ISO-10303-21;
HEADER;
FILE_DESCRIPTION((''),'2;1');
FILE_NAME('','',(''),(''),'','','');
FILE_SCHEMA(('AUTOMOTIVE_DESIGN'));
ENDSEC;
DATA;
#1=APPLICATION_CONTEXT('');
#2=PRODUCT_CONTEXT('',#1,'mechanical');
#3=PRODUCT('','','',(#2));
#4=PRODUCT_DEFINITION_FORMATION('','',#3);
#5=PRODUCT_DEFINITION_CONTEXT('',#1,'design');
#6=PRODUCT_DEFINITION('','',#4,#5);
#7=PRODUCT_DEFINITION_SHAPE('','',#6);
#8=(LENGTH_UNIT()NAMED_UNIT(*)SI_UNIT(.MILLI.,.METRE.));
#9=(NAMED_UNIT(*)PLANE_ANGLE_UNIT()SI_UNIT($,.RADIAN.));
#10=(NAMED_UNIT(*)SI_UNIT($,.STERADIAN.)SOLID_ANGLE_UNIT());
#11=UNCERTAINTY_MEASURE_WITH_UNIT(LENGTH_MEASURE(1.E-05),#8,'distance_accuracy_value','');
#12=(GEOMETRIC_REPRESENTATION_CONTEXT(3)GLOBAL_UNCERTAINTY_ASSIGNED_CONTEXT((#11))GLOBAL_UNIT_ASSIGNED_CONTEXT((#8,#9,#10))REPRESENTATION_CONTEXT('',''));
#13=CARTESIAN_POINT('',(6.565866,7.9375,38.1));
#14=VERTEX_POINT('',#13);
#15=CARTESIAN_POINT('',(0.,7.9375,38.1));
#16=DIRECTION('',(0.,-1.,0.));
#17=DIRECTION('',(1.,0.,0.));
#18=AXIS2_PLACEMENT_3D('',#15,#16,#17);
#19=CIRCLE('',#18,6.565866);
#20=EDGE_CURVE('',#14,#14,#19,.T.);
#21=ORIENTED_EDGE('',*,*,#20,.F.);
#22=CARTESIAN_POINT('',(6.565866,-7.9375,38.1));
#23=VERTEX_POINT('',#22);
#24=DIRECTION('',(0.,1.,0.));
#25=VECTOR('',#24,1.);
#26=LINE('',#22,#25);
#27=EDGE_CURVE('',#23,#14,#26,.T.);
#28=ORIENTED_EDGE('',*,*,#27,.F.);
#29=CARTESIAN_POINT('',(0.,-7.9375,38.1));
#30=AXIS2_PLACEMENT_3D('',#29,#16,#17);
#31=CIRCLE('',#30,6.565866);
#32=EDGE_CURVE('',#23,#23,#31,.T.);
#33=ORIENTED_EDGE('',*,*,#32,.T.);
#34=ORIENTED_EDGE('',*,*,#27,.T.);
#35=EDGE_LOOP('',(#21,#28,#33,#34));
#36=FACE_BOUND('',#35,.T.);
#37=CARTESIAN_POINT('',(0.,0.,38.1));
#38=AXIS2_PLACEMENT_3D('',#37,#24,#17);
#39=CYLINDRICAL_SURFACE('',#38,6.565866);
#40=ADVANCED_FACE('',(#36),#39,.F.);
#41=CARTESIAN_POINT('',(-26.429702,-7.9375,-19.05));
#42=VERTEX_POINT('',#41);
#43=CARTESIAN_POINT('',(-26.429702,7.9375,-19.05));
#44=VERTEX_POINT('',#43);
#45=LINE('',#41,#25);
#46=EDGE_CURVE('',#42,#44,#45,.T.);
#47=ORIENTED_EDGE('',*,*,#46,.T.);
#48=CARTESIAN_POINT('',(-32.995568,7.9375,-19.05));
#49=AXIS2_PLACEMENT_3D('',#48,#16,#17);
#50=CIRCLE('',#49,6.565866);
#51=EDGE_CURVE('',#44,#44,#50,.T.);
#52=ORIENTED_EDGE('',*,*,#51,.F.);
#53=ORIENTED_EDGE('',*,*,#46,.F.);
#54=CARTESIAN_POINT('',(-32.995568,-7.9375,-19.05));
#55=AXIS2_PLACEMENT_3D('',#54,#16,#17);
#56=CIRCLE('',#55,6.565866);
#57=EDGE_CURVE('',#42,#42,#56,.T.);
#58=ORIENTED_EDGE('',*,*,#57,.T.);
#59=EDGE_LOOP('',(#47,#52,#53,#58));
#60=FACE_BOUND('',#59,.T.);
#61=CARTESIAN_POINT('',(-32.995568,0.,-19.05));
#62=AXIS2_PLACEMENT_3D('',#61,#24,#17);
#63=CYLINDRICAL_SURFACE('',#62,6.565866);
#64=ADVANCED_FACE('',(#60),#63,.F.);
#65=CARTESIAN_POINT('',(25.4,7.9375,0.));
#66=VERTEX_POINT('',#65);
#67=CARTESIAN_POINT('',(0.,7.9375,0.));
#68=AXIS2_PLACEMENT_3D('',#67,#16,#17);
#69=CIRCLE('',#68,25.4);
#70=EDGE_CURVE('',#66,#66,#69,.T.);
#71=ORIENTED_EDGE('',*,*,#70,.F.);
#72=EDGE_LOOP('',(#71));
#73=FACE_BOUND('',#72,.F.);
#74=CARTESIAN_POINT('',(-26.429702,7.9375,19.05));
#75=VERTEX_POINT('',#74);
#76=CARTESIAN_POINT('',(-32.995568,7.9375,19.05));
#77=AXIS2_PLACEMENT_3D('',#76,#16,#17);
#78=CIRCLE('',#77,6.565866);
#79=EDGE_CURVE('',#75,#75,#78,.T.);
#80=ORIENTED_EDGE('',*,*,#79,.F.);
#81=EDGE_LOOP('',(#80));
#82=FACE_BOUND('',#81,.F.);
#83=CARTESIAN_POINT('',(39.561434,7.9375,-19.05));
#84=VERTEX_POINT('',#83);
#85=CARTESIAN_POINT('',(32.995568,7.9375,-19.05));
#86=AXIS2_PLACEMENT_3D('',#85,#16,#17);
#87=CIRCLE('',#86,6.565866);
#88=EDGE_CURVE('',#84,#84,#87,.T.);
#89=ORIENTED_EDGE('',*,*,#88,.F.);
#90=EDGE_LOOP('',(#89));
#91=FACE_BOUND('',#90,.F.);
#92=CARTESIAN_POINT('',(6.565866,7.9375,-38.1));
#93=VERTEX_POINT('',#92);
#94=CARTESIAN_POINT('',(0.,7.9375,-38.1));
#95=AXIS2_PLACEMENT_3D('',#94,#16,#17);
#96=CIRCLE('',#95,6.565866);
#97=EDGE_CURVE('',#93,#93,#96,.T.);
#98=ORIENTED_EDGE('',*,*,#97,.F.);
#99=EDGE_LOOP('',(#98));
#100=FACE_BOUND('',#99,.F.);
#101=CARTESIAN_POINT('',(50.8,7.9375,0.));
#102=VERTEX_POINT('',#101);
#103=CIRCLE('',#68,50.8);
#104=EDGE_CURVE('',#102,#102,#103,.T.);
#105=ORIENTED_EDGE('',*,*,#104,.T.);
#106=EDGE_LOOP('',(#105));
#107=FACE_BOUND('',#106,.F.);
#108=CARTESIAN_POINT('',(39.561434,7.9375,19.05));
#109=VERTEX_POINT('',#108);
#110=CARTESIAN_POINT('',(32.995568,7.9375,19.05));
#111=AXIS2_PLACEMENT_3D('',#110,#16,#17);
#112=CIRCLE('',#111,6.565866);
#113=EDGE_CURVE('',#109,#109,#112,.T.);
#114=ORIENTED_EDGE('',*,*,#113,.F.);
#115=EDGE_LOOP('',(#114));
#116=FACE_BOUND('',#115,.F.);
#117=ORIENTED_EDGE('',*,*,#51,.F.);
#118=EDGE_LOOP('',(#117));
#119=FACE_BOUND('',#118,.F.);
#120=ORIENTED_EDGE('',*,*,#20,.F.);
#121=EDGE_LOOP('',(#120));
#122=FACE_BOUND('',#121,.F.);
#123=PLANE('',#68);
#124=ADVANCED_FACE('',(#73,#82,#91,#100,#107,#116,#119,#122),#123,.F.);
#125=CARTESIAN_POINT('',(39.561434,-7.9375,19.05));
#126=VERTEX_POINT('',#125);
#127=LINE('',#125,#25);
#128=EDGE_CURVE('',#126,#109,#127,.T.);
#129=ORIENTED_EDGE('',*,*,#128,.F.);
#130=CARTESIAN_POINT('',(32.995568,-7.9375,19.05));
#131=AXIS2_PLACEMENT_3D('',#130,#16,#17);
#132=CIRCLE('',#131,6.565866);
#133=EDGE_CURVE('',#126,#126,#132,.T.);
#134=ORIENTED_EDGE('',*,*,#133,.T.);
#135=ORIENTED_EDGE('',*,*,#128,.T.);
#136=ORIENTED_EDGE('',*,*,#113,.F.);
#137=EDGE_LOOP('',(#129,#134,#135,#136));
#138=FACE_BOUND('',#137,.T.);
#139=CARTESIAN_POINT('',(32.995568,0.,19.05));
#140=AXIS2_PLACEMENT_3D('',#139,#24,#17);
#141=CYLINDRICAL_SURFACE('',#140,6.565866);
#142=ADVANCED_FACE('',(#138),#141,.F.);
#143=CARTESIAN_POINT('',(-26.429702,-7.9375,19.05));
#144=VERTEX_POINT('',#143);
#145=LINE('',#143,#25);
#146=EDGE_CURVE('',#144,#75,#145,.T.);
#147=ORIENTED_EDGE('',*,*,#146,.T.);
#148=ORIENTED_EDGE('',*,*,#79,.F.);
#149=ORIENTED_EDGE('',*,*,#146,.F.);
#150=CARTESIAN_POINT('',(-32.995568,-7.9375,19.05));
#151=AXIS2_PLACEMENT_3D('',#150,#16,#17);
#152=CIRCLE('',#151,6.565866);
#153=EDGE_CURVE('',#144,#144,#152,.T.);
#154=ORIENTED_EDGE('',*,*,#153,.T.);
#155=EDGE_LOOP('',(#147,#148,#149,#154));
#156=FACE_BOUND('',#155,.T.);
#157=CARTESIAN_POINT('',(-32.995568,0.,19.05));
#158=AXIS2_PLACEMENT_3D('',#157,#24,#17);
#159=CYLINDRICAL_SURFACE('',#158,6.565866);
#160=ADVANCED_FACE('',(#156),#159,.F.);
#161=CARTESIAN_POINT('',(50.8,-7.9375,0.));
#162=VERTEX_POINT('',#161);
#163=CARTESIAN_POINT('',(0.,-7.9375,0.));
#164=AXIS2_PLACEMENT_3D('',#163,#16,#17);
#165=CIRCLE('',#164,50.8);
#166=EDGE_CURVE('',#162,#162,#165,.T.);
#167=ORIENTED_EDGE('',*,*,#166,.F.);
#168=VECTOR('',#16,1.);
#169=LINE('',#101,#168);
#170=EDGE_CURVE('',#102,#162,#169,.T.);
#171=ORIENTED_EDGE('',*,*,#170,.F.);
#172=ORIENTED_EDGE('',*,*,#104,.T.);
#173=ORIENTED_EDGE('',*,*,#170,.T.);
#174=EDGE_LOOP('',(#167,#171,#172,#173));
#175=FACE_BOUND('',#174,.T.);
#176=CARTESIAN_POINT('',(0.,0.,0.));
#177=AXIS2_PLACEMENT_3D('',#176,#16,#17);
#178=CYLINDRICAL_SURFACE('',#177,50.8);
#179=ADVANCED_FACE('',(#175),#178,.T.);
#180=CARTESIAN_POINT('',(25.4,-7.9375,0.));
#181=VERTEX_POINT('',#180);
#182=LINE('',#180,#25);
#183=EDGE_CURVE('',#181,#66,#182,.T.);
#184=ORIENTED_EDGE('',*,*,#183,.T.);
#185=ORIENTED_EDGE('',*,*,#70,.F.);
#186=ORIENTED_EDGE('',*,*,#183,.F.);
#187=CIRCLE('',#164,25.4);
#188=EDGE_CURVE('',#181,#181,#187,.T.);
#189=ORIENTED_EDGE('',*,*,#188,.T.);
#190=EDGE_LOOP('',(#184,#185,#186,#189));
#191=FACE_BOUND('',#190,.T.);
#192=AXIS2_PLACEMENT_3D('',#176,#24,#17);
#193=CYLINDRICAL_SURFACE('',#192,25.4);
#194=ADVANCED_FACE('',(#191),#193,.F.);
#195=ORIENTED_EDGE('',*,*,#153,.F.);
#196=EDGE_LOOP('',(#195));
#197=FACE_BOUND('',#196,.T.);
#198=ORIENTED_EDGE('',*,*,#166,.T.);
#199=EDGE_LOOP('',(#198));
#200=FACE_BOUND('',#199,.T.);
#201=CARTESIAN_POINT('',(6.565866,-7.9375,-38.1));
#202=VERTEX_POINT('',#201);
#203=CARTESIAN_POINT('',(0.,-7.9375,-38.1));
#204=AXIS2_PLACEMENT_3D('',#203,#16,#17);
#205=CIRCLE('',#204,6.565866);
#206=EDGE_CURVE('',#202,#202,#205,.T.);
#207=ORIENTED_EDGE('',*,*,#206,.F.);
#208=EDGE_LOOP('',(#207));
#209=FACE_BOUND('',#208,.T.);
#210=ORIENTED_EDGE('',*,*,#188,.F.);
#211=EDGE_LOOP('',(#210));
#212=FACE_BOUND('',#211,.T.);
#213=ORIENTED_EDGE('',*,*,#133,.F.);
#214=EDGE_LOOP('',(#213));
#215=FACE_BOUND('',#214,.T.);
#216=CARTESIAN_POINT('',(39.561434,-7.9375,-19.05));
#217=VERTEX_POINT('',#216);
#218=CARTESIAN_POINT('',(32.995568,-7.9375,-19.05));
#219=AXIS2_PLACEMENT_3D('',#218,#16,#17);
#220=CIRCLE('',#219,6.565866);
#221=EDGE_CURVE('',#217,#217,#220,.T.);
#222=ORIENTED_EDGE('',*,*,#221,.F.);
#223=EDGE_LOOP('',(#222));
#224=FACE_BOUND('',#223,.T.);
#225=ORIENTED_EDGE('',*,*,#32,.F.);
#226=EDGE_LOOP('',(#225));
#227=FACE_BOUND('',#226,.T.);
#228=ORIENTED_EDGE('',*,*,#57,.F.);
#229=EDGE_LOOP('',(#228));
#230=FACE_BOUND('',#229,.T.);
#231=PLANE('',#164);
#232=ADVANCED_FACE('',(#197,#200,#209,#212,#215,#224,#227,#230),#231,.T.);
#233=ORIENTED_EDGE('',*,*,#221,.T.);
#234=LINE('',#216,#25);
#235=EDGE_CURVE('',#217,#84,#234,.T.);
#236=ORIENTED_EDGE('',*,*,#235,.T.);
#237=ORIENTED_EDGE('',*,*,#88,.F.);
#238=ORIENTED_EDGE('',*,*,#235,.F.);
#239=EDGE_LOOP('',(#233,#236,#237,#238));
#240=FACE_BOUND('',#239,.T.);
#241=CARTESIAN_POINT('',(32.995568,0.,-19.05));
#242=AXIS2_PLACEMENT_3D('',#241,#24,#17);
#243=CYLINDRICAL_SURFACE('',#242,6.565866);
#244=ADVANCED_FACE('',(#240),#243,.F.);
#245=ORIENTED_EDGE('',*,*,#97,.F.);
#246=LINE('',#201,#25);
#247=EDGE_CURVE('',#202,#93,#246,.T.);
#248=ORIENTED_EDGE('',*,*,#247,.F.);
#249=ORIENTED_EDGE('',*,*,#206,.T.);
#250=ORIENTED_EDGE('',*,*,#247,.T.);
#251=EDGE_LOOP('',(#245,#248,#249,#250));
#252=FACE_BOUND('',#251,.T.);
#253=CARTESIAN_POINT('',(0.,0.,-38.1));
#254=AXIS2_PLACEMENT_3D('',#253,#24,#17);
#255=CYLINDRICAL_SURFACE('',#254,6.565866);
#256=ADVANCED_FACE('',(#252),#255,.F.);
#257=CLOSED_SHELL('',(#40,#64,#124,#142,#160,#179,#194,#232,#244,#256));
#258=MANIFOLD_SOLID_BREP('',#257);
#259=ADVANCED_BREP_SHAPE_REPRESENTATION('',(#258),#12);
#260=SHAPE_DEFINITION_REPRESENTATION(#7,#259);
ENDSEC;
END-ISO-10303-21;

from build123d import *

# Parameters (mm, degrees)
F0_R     = 50.8
F0_R_2   = 6.565866
F0_R_3   = 25.4
F1_DEPTH = 7.9375


with BuildPart() as f1:
    # F0 (on Front) → F1 (new body, symmetric)
    with BuildSketch(Plane.XZ):
        Circle(F0_R)
        with Locations((0, -38.1)):
            Circle(F0_R_2, mode=Mode.SUBTRACT)
        with Locations((-32.995568, -19.05)):
            Circle(F0_R_2, mode=Mode.SUBTRACT)
        Circle(F0_R_3, mode=Mode.SUBTRACT)
        with Locations((32.995568, -19.05)):
            Circle(F0_R_2, mode=Mode.SUBTRACT)
        with Locations((-32.995568, 19.05)):
            Circle(F0_R_2, mode=Mode.SUBTRACT)
        with Locations((0, 38.1)):
            Circle(F0_R_2, mode=Mode.SUBTRACT)
        with Locations((32.995568, 19.05)):
            Circle(F0_R_2, mode=Mode.SUBTRACT)
    extrude(amount=F1_DEPTH, both=True)


solid = f1.part
